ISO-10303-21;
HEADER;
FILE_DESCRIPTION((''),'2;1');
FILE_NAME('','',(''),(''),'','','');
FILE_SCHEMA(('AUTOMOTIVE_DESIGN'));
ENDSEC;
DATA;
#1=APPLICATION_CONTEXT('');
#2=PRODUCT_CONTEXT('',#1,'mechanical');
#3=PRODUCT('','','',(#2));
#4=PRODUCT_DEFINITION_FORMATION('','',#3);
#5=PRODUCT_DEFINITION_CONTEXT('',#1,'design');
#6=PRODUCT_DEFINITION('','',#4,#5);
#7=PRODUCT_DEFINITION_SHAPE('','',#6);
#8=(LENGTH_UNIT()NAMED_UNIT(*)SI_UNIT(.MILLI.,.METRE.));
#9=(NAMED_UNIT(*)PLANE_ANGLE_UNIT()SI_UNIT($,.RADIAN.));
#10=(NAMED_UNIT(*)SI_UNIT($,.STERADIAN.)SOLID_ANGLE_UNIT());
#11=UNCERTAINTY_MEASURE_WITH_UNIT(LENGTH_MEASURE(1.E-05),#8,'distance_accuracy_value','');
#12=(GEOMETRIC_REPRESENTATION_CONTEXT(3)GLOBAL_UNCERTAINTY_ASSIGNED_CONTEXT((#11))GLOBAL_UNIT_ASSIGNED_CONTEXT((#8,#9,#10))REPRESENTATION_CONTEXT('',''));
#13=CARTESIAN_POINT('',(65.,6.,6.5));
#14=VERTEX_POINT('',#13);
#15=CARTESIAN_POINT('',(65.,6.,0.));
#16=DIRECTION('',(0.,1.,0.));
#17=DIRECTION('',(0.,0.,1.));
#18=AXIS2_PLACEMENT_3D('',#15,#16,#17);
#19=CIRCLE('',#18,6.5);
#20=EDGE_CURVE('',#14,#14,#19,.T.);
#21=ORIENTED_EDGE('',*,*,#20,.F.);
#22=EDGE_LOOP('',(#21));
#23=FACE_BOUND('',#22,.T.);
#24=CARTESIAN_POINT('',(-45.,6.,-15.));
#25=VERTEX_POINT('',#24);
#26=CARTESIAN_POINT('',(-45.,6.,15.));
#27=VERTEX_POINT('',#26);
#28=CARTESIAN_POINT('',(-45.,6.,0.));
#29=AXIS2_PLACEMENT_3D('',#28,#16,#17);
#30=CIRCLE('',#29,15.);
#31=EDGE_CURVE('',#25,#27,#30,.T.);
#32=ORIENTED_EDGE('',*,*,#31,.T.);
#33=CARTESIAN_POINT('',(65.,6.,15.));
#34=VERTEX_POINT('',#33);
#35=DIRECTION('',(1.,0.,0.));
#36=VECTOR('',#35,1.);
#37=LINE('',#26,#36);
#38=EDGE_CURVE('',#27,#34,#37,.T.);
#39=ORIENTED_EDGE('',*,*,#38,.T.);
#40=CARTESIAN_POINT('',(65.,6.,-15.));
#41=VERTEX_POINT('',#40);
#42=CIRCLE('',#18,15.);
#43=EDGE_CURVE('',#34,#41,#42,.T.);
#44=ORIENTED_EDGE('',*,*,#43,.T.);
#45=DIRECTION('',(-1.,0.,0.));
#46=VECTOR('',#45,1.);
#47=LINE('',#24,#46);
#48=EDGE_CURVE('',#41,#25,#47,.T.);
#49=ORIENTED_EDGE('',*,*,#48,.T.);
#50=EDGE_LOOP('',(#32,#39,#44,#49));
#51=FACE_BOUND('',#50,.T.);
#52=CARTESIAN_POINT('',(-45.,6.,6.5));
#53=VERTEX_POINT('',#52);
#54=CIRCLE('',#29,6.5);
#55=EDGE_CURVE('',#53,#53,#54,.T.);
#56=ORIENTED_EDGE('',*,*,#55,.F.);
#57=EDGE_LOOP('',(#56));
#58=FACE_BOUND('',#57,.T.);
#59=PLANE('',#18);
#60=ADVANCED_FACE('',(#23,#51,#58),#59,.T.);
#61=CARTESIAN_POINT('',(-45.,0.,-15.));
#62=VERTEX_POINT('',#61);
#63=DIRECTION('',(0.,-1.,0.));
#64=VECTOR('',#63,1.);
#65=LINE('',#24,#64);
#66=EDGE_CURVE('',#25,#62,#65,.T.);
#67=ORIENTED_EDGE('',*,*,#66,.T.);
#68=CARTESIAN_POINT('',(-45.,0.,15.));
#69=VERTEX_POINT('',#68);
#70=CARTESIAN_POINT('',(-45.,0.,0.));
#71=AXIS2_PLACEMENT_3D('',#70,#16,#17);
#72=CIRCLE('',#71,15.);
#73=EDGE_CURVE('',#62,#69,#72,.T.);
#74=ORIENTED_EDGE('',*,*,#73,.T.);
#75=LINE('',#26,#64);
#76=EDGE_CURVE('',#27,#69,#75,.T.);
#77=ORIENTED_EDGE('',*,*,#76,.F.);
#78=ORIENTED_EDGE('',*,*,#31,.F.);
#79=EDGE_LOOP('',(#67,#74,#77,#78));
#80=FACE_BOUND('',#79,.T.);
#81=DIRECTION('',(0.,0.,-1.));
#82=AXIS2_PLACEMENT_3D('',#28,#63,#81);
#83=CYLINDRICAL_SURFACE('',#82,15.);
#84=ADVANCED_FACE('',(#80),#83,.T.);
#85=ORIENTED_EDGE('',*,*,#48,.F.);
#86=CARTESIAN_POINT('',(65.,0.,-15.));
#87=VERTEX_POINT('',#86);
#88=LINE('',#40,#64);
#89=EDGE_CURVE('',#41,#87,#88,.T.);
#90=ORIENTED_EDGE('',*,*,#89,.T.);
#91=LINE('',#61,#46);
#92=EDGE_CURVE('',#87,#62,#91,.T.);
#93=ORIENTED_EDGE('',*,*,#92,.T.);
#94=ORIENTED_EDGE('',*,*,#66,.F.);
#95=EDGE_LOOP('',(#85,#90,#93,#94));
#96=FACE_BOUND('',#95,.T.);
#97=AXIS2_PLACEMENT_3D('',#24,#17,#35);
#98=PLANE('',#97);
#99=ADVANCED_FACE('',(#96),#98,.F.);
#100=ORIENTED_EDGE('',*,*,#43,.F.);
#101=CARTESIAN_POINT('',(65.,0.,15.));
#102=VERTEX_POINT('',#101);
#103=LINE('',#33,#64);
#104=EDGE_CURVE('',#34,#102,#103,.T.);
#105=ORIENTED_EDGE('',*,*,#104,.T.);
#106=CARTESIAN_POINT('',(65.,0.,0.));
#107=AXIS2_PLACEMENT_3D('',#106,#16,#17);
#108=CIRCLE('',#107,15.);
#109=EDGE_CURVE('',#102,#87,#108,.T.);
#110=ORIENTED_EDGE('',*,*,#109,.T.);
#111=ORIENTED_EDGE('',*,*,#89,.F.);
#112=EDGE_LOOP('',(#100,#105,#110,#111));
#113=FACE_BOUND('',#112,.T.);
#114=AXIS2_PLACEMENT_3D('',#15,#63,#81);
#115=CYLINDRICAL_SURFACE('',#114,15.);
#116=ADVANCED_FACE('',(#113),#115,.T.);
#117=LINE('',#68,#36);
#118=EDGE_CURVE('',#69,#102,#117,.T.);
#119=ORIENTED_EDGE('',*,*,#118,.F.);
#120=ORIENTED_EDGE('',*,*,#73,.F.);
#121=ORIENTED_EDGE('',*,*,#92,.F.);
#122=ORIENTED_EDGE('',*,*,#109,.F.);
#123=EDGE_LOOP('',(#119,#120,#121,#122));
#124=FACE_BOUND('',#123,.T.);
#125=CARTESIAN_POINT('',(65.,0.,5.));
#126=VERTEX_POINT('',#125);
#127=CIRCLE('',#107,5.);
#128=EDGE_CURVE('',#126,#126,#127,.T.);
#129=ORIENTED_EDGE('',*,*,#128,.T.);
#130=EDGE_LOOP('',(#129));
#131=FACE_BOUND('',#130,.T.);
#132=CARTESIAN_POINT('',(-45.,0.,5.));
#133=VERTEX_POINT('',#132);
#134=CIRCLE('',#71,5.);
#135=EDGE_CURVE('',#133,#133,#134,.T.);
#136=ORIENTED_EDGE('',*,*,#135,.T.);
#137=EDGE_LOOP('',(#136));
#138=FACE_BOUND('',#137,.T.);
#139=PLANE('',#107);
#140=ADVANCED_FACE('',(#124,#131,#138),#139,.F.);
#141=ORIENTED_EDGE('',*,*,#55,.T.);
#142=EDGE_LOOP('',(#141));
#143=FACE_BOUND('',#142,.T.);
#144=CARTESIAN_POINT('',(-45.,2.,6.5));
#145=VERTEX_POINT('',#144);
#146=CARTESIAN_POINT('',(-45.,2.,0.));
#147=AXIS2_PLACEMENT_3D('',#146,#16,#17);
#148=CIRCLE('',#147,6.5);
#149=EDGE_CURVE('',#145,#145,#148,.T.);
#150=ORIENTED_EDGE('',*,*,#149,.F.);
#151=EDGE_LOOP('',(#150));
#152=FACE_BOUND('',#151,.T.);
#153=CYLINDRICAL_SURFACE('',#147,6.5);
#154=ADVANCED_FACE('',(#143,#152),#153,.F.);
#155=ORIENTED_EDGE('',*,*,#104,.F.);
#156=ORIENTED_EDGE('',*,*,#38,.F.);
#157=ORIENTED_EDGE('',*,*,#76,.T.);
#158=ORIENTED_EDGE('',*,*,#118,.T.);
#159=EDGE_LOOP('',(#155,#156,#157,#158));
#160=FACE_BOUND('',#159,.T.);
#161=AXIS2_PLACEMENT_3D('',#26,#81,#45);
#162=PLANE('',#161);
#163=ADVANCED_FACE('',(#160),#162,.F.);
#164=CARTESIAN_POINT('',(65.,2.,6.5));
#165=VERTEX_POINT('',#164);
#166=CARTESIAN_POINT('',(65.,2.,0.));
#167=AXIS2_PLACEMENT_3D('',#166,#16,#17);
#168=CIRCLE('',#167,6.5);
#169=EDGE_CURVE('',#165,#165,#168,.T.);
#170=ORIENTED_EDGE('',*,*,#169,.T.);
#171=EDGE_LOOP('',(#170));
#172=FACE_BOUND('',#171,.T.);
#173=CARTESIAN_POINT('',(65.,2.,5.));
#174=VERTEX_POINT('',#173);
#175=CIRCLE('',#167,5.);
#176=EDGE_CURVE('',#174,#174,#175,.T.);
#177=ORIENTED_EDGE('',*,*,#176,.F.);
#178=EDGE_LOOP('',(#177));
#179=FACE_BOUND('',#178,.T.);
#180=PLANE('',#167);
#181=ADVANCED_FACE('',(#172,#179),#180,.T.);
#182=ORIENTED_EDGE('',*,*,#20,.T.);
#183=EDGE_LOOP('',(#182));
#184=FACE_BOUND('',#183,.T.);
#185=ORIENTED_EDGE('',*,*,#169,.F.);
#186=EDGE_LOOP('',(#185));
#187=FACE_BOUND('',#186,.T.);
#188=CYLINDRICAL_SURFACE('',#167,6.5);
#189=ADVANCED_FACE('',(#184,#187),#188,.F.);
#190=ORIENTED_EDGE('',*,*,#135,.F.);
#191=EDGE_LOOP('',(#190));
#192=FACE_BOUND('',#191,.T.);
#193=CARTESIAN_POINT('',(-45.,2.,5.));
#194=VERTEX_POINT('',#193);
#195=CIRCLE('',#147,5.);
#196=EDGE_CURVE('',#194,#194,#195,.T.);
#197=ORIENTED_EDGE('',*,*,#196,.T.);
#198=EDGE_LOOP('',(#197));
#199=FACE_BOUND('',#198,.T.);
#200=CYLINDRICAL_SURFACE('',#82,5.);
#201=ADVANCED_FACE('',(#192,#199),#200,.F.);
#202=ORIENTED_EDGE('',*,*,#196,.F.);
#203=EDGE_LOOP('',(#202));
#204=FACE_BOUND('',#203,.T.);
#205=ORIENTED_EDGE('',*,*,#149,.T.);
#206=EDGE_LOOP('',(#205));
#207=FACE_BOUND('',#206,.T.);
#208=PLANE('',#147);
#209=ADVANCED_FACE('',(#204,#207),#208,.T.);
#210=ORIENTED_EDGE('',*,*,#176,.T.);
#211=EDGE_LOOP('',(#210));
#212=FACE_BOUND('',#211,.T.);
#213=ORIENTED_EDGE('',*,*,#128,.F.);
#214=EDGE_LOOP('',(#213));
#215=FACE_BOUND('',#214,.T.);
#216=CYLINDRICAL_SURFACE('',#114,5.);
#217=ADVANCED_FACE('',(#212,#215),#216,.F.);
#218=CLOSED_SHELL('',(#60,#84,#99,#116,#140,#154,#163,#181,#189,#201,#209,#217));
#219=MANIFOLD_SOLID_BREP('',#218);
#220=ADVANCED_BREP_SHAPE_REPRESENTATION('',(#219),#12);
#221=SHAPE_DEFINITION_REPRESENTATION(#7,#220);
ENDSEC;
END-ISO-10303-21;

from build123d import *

# Parameters (mm, degrees)
SKETCH2_R           = 5
BOSS_EXTRUDE1_DEPTH = 6
SKETCH3_R           = 6.5
CUT_EXTRUDE1_DEPTH  = 4


with BuildPart() as part:
    # Sketch2 → Boss-Extrude1 (new body)
    with BuildSketch(Plane(origin=(0, 0, 0), x_dir=(1, 0, 0), z_dir=(0, 1, 0))):
        with BuildLine():
            Line((-45, 15), (65, 15))
            ThreePointArc((65, 15), (80, 0), (65, -15))
            Line((65, -15), (-45, -15))
            ThreePointArc((-45, -15), (-60, 0), (-45, 15))
        make_face()
        with Locations(Location((-45, 0, 0), (0, 0, 270))):
            Circle(SKETCH2_R, mode=Mode.SUBTRACT)
        with Locations(Location((65, 0, 0), (0, 0, 270))):
            Circle(SKETCH2_R, mode=Mode.SUBTRACT)
    extrude(amount=BOSS_EXTRUDE1_DEPTH)

    # Sketch3 → Cut-Extrude1 (cut)
    with BuildSketch(Plane(origin=(0, 6, 0), x_dir=(1, 0, 0), z_dir=(0, 1, 0))):
        with Locations(Location((-45, 0, 0), (0, 0, 270))):
            Circle(SKETCH3_R)
        with Locations(Location((65, 0, 0), (0, 0, 270))):
            Circle(SKETCH3_R)
    extrude(amount=-CUT_EXTRUDE1_DEPTH, mode=Mode.SUBTRACT)


solid = part.part
